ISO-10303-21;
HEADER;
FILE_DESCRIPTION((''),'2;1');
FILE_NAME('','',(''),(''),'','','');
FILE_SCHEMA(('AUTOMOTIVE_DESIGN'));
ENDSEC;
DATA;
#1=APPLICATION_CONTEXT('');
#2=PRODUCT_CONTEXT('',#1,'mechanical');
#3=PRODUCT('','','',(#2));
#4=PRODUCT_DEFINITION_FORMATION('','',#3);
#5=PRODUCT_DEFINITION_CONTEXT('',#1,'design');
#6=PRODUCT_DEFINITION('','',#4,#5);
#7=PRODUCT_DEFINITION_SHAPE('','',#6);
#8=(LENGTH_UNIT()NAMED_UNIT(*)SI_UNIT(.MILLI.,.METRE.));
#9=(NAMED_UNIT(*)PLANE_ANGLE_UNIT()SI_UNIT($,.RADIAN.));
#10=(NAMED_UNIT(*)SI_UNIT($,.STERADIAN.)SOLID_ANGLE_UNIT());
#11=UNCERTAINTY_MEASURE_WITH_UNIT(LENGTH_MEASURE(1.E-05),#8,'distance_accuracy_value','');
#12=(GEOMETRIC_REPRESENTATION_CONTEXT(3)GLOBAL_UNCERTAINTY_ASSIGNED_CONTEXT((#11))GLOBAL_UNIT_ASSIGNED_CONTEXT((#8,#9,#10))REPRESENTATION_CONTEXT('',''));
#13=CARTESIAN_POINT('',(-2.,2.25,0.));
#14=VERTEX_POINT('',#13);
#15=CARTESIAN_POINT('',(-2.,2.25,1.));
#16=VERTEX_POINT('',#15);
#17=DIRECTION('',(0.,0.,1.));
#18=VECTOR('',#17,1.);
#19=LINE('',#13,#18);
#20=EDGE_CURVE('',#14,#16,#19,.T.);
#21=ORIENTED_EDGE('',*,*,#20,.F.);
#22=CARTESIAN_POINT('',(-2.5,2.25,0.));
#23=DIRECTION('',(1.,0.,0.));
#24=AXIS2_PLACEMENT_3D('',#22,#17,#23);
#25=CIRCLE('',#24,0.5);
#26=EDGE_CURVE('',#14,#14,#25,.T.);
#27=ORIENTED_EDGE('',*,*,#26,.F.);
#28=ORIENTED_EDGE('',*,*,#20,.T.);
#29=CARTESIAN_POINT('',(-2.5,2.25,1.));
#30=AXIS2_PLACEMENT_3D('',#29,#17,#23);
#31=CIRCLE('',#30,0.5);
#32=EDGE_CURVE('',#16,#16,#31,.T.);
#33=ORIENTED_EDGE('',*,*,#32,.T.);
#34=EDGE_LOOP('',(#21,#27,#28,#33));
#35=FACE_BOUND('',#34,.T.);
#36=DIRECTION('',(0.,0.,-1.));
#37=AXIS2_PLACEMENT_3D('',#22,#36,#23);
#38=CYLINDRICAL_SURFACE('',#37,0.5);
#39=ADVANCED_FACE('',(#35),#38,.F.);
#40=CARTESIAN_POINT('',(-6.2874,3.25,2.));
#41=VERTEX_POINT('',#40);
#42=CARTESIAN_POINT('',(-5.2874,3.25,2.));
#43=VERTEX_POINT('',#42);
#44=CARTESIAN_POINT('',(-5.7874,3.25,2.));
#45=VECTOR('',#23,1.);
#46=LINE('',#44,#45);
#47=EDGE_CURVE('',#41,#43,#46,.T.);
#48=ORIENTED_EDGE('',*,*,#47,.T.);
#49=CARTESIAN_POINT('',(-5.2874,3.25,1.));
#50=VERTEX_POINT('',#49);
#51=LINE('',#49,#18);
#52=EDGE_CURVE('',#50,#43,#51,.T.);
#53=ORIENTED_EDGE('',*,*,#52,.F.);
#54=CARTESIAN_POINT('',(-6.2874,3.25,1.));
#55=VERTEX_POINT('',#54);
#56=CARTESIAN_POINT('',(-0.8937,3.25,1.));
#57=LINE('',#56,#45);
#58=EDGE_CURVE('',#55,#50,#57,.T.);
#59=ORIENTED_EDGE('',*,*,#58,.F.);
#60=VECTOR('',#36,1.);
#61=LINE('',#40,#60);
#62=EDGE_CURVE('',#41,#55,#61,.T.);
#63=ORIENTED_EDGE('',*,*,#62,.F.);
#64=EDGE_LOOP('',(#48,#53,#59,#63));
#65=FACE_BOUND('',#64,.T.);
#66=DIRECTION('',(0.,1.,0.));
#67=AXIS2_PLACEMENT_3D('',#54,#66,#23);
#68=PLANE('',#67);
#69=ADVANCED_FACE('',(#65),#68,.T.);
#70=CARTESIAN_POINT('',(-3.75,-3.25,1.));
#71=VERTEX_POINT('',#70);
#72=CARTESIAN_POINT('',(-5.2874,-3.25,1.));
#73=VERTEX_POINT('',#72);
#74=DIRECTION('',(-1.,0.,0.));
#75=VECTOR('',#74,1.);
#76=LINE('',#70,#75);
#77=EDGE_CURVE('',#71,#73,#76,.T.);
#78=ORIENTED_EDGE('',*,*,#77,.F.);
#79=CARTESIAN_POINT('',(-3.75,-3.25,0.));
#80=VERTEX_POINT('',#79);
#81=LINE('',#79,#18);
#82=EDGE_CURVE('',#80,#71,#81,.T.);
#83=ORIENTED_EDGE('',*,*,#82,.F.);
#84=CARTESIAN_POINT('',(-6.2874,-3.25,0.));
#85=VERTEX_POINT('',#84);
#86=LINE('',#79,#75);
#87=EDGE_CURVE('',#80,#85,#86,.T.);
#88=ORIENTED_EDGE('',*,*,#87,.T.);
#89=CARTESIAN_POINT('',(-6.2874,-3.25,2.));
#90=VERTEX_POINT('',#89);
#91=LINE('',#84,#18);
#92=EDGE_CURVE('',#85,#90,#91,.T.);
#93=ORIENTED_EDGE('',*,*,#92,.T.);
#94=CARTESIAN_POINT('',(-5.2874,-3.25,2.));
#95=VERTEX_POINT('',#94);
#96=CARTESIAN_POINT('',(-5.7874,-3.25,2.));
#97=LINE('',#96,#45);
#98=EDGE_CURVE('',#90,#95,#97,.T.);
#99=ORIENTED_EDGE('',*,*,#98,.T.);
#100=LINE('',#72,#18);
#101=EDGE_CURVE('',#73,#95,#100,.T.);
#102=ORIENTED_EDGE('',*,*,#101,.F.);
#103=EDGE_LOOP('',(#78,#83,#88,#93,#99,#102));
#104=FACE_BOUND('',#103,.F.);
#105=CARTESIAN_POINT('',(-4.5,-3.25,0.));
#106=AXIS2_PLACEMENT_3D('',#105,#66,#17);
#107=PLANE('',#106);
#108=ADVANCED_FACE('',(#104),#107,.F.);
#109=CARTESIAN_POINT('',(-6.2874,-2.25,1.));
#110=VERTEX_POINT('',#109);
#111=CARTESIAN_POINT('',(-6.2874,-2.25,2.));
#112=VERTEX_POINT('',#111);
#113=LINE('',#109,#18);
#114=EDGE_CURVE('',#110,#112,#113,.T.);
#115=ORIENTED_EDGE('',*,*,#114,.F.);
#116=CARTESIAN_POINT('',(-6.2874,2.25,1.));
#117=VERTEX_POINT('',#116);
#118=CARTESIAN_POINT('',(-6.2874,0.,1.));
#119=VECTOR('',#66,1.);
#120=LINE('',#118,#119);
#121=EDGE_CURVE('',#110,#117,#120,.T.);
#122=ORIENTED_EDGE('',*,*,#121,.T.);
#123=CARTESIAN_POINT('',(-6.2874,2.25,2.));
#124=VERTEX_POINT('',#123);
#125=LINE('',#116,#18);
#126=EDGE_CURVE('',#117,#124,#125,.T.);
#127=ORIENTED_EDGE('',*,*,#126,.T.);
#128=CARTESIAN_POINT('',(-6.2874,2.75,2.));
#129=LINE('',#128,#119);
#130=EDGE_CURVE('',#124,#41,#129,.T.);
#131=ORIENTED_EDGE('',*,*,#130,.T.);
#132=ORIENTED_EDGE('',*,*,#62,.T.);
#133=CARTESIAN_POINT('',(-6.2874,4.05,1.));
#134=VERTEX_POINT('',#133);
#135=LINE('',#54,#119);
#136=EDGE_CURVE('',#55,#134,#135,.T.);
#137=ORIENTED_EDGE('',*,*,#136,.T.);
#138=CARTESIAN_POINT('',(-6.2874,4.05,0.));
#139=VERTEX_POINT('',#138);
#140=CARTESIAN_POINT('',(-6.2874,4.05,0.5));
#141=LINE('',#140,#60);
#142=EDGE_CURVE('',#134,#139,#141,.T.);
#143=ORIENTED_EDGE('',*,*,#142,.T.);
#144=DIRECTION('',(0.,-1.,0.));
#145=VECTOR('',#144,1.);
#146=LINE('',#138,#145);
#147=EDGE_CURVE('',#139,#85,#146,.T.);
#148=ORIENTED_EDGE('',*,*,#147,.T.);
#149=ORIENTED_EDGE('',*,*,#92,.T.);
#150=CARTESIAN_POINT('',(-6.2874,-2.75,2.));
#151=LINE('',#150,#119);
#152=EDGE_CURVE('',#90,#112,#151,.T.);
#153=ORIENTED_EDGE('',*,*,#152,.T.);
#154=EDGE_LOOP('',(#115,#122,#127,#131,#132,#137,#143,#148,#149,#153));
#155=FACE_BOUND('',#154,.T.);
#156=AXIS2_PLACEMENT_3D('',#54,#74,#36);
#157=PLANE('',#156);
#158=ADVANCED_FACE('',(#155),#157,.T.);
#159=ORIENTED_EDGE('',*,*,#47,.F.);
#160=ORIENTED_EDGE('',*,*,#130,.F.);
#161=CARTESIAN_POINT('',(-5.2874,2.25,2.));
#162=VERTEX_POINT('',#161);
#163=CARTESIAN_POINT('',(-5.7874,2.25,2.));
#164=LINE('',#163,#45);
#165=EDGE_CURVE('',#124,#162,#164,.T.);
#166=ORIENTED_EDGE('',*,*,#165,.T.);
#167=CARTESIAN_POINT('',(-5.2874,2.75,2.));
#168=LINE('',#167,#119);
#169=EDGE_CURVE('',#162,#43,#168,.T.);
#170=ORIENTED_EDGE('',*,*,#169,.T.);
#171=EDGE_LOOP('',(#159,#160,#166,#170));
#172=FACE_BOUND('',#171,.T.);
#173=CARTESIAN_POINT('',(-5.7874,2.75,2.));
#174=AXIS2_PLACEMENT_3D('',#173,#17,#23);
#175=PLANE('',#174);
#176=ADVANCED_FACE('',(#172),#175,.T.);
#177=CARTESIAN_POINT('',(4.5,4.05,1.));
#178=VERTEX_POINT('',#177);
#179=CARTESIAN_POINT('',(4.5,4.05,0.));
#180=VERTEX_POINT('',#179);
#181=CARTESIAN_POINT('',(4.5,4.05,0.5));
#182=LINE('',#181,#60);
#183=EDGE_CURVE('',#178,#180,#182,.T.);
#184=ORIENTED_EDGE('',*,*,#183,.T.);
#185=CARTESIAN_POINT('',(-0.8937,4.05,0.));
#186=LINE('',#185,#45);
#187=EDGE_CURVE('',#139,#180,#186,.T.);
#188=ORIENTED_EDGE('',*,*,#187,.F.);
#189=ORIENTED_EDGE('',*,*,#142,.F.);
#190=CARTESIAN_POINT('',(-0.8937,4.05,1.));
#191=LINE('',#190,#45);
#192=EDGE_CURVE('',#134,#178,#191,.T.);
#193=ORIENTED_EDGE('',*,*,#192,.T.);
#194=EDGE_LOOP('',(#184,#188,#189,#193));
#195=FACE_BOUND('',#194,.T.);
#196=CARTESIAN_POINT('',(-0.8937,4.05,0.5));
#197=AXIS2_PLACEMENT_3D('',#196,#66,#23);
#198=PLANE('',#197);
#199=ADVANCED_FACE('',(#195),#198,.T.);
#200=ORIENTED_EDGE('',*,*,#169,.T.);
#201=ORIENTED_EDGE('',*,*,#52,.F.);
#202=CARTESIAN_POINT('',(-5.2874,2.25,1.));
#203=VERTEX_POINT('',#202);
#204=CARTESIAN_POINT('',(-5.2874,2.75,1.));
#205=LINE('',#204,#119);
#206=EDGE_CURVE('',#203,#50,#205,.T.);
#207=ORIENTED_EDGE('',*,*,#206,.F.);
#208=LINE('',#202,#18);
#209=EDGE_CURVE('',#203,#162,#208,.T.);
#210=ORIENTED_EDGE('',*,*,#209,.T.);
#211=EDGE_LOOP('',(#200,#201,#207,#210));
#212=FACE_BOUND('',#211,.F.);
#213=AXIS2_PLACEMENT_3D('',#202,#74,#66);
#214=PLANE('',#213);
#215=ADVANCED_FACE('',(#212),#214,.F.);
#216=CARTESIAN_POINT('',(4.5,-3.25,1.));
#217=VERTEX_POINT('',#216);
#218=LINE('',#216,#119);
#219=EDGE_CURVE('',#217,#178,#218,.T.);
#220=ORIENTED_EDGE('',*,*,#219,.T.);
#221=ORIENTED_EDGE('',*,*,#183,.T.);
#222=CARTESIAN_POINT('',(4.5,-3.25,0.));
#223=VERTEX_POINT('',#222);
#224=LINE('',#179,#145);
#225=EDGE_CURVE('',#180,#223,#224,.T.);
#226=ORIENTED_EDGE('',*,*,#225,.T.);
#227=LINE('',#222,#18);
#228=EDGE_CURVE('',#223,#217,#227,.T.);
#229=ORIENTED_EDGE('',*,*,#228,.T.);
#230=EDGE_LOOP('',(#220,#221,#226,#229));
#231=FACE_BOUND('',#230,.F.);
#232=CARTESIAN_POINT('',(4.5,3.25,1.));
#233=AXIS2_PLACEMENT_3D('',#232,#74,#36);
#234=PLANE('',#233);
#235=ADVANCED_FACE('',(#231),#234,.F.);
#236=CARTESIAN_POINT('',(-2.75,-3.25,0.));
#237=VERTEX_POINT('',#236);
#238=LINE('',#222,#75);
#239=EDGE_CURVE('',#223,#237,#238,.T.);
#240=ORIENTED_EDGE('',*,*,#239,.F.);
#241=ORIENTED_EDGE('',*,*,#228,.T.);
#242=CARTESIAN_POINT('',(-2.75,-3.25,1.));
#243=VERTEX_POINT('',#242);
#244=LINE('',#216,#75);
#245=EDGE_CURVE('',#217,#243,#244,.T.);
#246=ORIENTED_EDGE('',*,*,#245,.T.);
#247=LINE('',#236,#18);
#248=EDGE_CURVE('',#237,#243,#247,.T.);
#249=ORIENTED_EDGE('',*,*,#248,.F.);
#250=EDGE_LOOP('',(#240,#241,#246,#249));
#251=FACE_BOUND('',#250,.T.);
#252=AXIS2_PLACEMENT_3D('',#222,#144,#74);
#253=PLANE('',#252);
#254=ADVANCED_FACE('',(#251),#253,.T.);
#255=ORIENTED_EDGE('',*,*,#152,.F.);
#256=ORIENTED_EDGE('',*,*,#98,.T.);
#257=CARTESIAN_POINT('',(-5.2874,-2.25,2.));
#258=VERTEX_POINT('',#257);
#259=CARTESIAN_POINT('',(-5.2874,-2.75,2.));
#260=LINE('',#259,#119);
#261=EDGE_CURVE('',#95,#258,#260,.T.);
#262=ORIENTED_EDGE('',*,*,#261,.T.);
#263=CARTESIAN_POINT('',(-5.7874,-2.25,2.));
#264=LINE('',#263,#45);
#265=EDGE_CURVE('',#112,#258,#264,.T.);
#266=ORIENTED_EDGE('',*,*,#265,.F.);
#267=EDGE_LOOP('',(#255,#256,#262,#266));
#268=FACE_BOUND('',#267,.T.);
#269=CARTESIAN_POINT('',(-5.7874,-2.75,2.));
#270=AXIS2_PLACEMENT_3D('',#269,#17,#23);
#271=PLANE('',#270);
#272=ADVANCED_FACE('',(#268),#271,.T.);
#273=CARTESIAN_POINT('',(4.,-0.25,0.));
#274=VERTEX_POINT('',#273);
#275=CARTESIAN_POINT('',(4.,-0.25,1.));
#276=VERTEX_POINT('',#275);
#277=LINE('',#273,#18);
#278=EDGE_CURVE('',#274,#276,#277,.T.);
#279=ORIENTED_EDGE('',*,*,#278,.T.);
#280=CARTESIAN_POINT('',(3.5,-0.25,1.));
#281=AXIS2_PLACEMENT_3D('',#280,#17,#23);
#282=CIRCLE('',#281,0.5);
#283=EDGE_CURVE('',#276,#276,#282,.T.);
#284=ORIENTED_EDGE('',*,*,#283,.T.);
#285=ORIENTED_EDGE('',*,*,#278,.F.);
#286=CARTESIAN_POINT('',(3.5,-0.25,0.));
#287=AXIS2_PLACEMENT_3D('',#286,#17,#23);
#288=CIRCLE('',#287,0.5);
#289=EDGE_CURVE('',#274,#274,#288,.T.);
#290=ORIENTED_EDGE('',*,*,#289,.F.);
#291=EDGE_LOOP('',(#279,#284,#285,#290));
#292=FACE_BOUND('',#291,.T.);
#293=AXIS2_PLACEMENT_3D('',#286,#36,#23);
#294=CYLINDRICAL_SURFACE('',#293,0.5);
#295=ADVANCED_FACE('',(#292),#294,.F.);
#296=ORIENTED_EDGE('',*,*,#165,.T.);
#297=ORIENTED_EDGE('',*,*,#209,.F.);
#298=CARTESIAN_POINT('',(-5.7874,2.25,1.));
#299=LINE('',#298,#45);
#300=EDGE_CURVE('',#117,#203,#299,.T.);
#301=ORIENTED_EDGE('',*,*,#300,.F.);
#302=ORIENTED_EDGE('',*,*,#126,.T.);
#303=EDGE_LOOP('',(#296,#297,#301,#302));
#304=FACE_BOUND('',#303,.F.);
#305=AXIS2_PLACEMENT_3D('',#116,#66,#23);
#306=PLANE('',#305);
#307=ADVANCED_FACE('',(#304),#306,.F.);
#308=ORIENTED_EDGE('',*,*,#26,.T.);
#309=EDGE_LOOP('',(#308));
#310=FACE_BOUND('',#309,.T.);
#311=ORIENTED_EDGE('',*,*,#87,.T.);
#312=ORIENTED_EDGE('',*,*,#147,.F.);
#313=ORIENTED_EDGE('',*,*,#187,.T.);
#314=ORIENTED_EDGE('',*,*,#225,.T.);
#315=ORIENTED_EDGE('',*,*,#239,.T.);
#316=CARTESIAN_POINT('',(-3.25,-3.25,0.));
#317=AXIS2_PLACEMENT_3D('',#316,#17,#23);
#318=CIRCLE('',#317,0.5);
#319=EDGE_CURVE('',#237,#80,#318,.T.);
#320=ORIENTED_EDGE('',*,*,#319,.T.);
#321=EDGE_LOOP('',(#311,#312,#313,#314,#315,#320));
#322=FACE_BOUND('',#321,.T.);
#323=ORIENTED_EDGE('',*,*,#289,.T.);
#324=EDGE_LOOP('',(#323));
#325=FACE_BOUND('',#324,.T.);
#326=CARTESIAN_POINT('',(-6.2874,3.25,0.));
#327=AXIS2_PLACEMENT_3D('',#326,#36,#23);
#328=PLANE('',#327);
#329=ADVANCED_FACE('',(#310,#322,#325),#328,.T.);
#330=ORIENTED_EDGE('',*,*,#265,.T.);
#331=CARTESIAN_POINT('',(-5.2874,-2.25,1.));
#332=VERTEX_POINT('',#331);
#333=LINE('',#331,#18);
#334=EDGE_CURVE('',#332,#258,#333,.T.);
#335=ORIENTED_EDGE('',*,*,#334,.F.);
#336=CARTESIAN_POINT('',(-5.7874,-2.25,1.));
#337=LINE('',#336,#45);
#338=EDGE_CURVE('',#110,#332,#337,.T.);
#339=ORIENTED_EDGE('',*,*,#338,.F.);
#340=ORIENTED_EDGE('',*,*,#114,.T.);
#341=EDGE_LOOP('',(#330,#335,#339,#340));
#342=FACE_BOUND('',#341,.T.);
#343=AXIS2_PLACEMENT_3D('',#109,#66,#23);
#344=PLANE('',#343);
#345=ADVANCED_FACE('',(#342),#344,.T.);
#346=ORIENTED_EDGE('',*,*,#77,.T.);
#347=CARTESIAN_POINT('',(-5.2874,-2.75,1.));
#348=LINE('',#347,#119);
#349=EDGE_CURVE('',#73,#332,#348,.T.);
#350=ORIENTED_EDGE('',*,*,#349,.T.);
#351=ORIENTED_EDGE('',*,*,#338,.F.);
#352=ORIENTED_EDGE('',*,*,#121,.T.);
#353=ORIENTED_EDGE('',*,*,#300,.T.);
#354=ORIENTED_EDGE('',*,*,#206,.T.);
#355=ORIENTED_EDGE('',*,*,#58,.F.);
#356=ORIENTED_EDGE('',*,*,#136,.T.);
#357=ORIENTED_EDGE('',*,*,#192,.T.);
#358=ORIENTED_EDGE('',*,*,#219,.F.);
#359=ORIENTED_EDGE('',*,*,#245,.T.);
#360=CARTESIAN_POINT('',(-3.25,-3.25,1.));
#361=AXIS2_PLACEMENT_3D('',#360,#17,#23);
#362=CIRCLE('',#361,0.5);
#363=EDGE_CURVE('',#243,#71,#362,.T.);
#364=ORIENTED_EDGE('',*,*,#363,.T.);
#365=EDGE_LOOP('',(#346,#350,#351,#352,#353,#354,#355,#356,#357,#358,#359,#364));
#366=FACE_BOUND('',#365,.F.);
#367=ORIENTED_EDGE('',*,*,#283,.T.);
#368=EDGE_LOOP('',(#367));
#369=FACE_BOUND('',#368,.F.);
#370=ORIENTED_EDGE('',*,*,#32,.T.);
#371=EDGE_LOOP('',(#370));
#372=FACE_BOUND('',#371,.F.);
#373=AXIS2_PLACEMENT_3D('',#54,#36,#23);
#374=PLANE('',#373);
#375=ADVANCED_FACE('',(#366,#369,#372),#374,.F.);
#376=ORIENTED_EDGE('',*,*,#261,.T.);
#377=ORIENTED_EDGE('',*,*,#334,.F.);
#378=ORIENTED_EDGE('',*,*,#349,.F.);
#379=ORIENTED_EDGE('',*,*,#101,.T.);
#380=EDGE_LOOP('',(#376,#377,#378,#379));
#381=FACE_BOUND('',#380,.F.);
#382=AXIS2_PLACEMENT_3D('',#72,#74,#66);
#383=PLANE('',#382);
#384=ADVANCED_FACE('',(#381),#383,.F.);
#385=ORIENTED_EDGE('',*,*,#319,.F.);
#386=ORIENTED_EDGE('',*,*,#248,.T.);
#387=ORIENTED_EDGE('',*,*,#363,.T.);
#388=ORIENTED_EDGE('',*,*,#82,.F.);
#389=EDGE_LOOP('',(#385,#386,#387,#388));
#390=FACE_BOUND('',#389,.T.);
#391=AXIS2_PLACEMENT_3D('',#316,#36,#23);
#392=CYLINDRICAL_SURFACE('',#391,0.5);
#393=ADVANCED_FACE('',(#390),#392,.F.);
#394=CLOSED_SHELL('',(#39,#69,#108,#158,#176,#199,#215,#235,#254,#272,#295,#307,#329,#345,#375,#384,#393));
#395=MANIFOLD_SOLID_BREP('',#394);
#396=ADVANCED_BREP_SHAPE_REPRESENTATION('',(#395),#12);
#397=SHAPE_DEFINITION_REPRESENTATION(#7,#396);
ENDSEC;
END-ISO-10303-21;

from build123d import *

# Parameters (mm, degrees)
SKETCH1_R            = 0.5
FRONT_FACE_EXT_DEPTH = 1
SKETCH2_W            = 1
SKETCH2_H            = 6.5
BOSS_EXTRUDE1_DEPTH  = 1.7874
SKETCH3_W            = 1
SKETCH3_H            = 1
BOSS_EXTRUDE2_DEPTH  = 1
SKETCH4_W            = 10.7874
SKETCH4_H            = 1
BOSS_EXTRUDE3_DEPTH  = 0.8


with BuildPart() as part:
    # Sketch1 → Front Face Ext (new body)
    with BuildSketch(Plane.XY):
        with BuildLine():
            Line((-3.75, -3.25), (-4.5, -3.25))
            Line((-4.5, -3.25), (-4.5, 3.25))
            Line((-4.5, 3.25), (4.5, 3.25))
            Line((4.5, 3.25), (4.5, -3.25))
            Line((4.5, -3.25), (-2.75, -3.25))
            ThreePointArc((-2.75, -3.25), (-3.25, -2.75), (-3.75, -3.25))
        make_face()
        with Locations((-2.5, 2.25)):
            Circle(SKETCH1_R, mode=Mode.SUBTRACT)
        with Locations((3.5, -0.25)):
            Circle(SKETCH1_R, mode=Mode.SUBTRACT)
    extrude(amount=FRONT_FACE_EXT_DEPTH)

    # Sketch2 → Boss-Extrude1 (add)
    with BuildSketch(Plane.ZY.offset(4.5)):
        with Locations((0.5, 0)):
            Rectangle(SKETCH2_W, SKETCH2_H)
    extrude(amount=BOSS_EXTRUDE1_DEPTH)

    # Sketch3 → Boss-Extrude2 (add)
    with BuildSketch(Plane.XY.offset(1)):
        with Locations((-5.7874, 2.75)):
            Rectangle(SKETCH3_W, SKETCH3_H)
        with Locations((-5.7874, -2.75)):
            Rectangle(SKETCH3_W, SKETCH3_H)
    extrude(amount=BOSS_EXTRUDE2_DEPTH)

    # Sketch4 → Boss-Extrude3 (add)
    with BuildSketch(Plane(origin=(0, 3.25, 0), x_dir=(1, 0, 0), z_dir=(0, 1, 0))):
        with Locations((-0.8937, -0.5)):
            Rectangle(SKETCH4_W, SKETCH4_H)
    extrude(amount=BOSS_EXTRUDE3_DEPTH)


solid = part.part
